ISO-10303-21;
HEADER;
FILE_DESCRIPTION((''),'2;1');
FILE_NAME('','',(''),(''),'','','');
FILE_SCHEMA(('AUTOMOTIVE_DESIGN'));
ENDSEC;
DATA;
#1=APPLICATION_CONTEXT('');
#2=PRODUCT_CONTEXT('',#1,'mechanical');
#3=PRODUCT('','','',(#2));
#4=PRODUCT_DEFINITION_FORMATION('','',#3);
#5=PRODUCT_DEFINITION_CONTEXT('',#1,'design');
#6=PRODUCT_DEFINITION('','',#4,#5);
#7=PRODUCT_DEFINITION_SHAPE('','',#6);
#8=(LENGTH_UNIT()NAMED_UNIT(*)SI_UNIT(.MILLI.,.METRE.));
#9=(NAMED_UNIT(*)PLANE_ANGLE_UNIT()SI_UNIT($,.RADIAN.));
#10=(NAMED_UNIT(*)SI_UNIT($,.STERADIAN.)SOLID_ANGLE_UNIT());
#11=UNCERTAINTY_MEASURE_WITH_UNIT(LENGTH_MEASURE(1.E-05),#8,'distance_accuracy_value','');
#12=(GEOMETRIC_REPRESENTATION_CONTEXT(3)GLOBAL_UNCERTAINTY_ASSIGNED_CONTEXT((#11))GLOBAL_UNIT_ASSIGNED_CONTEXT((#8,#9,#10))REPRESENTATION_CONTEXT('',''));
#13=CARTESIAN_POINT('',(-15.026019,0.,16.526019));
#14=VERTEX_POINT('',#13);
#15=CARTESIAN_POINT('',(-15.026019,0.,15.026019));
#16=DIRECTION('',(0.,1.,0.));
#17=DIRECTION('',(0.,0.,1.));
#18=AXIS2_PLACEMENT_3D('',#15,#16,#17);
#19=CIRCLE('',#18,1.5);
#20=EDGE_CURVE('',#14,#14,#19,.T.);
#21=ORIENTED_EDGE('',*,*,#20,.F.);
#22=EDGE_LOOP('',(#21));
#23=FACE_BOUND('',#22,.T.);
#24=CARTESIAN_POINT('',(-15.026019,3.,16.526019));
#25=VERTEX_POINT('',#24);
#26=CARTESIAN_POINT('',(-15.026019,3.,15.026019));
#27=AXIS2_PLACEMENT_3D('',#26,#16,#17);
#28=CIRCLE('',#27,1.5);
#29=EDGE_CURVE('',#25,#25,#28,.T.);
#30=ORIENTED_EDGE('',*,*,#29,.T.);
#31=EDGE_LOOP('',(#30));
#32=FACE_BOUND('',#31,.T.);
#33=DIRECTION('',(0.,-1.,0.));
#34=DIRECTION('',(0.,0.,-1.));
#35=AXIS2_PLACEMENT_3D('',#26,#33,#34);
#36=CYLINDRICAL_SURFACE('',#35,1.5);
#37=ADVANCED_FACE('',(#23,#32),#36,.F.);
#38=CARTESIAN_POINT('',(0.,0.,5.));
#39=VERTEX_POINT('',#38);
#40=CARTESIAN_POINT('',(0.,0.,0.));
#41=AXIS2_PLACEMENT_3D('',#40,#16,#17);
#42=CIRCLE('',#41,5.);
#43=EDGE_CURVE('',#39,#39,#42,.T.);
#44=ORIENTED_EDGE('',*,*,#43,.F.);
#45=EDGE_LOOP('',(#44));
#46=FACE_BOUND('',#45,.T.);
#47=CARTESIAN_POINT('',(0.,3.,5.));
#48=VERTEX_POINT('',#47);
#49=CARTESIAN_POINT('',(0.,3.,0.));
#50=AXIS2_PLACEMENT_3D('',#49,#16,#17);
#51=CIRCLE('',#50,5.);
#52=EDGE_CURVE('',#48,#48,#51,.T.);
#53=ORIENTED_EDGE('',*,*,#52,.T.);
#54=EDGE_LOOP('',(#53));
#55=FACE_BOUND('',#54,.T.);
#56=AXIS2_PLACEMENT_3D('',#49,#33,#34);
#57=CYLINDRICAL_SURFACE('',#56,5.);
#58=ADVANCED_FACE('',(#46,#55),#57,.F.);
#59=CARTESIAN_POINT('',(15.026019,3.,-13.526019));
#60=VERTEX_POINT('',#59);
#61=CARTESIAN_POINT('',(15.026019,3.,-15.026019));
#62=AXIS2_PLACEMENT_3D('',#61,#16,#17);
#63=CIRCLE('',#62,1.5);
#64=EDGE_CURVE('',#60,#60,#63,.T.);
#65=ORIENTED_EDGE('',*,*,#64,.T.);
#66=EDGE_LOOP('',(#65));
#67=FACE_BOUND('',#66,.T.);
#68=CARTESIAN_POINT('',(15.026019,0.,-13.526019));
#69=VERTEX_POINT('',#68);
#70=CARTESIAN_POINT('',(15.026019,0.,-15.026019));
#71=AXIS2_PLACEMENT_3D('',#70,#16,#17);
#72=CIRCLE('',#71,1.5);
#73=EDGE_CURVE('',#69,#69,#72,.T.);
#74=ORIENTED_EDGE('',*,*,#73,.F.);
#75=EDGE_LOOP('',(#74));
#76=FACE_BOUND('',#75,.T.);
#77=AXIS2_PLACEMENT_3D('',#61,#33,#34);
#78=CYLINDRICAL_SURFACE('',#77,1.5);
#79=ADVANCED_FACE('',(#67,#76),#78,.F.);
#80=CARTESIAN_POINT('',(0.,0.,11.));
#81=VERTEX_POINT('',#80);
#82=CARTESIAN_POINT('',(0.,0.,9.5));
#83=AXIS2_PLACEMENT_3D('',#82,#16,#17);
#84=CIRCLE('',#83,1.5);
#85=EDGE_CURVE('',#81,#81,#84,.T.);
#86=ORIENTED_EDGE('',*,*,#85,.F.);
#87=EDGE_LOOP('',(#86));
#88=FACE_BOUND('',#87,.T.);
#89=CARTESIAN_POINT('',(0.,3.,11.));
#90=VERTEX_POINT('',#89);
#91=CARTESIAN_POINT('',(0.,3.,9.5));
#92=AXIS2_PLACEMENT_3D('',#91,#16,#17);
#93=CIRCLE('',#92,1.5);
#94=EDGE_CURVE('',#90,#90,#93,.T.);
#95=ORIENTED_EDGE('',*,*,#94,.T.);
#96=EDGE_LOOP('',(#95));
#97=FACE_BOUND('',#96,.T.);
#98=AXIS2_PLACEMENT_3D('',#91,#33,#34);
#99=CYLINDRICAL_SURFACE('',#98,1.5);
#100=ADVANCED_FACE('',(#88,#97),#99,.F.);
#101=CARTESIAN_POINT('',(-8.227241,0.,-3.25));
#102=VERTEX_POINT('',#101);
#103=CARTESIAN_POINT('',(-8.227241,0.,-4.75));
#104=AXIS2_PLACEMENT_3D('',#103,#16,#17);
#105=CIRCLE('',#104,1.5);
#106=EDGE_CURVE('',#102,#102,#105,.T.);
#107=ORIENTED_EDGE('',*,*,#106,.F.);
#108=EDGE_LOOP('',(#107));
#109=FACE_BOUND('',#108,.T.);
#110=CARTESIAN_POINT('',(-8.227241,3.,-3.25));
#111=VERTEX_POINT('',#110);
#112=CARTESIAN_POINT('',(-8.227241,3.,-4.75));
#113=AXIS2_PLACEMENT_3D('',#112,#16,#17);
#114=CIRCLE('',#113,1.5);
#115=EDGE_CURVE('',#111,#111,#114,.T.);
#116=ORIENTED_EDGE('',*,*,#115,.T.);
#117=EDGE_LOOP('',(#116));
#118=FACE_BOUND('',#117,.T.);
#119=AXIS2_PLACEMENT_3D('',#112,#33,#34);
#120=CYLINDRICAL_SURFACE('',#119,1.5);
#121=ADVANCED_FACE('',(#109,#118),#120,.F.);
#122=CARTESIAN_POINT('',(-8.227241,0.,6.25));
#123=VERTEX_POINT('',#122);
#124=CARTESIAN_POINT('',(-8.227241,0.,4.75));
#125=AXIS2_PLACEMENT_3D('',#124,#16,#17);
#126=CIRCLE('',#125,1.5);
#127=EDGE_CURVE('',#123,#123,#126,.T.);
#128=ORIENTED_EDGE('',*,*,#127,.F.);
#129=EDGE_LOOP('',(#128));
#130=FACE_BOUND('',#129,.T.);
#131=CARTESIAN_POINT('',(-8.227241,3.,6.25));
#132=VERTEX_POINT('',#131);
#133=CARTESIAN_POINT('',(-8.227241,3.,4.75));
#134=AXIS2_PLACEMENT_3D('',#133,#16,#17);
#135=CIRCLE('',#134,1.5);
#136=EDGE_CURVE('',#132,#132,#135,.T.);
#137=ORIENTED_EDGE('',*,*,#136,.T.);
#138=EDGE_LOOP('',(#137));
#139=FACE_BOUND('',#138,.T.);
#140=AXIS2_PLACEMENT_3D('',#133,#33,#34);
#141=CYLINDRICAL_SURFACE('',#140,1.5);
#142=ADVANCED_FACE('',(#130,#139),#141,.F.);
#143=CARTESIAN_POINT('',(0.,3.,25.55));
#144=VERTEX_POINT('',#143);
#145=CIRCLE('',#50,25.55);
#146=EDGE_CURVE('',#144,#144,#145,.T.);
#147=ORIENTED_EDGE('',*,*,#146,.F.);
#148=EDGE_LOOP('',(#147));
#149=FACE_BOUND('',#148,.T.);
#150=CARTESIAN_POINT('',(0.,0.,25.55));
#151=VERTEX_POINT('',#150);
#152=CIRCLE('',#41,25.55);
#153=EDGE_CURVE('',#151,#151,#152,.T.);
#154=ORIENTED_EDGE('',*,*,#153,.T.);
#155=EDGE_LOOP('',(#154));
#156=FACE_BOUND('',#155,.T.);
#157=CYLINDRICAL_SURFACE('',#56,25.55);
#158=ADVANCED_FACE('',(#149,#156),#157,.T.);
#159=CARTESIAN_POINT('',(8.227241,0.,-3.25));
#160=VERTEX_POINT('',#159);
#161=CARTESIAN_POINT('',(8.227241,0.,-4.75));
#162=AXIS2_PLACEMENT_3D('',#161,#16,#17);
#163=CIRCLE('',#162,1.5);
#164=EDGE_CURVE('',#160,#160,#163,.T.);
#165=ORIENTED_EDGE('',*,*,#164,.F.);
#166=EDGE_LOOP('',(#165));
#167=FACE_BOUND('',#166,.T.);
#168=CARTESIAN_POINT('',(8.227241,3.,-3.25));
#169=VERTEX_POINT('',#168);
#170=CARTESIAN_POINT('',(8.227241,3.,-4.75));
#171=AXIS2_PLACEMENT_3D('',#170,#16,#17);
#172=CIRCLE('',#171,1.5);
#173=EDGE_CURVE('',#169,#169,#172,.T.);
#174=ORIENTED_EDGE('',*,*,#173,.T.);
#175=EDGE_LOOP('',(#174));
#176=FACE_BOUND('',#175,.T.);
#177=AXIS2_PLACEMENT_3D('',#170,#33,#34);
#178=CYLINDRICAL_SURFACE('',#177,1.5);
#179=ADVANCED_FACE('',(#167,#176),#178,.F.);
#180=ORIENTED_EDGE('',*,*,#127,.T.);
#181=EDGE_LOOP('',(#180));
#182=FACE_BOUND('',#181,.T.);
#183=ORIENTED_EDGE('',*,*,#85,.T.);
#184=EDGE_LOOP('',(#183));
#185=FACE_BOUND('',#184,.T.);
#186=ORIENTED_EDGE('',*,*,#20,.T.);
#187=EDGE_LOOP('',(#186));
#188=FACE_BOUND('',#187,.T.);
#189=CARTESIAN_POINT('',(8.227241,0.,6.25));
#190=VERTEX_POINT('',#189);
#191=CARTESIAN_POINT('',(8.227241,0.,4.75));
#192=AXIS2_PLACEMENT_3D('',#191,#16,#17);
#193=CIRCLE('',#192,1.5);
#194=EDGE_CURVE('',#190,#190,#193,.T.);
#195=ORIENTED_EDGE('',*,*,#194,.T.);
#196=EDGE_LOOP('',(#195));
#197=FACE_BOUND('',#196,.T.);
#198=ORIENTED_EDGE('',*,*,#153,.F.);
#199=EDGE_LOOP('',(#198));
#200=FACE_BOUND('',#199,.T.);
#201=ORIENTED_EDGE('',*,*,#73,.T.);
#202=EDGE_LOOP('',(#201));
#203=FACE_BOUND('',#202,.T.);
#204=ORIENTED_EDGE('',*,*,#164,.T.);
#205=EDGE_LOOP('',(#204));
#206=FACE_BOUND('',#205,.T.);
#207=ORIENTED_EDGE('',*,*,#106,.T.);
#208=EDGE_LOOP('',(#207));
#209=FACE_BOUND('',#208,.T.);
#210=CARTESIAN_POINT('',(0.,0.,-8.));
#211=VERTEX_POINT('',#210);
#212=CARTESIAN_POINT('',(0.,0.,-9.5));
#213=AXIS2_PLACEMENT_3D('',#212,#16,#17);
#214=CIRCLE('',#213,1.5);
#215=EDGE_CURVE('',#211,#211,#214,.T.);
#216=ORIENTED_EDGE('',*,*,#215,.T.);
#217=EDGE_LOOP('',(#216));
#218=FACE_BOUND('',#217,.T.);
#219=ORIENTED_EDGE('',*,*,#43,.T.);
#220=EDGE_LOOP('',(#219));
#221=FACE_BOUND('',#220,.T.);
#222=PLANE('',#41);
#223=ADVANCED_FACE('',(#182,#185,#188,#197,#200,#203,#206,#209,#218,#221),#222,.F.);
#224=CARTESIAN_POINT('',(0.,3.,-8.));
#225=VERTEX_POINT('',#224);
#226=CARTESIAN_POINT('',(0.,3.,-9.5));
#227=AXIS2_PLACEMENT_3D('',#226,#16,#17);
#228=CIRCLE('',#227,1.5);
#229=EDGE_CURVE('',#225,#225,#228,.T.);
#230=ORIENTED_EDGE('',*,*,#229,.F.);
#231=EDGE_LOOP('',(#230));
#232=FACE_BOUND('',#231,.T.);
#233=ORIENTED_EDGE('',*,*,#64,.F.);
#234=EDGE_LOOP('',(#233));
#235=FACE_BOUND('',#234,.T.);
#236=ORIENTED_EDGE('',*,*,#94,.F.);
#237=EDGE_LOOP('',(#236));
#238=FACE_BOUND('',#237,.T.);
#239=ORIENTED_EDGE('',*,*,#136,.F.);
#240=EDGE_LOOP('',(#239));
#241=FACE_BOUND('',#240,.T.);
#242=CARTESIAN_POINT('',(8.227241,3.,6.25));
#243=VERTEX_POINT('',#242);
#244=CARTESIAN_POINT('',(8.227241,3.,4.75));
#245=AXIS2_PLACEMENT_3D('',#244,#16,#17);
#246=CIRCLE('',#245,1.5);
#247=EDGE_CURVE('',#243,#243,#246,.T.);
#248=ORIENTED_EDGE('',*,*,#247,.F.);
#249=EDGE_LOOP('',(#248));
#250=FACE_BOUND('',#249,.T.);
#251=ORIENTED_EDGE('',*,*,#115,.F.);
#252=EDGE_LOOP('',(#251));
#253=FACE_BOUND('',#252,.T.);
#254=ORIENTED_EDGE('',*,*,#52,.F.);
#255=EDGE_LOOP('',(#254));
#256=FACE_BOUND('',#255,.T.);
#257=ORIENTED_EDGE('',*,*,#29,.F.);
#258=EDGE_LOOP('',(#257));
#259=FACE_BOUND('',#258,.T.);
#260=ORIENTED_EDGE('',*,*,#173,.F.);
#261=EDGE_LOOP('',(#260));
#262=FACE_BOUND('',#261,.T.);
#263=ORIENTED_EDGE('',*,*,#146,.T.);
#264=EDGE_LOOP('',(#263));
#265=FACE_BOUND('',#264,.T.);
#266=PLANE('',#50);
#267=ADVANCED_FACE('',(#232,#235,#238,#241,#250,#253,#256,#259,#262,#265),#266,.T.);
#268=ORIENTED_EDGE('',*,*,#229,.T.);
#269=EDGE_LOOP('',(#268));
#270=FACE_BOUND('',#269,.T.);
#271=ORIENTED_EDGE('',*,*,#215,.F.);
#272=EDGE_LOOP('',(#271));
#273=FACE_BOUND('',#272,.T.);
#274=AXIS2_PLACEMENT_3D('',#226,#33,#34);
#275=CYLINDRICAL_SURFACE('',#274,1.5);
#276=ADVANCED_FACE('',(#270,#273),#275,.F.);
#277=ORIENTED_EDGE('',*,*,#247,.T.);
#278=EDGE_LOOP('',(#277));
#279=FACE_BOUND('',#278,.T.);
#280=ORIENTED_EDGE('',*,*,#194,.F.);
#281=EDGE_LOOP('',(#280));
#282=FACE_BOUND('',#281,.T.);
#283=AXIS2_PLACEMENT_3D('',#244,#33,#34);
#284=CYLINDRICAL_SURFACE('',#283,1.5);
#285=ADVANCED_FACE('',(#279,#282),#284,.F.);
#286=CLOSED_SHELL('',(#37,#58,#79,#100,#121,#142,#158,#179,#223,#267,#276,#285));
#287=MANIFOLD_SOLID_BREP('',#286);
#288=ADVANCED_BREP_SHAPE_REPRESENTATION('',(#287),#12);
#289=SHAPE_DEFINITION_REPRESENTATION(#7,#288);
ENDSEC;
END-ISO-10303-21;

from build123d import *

# Parameters (mm, degrees)
SKETCH1_R           = 25.55
SKETCH1_R_2         = 1.5
SKETCH1_R_3         = 5
BOSS_EXTRUDE1_DEPTH = 3


with BuildPart() as part:
    # Sketch1 → Boss-Extrude1 (new body)
    with BuildSketch(Plane(origin=(0, 0, 0), x_dir=(1, 0, 0), z_dir=(0, 1, 0))):
        with Locations(Location((0, 0, 0), (0, 0, 270))):
            Circle(SKETCH1_R)
        with Locations(Location((15.0260191, 15.0260191, 0), (0, 0, 270))):
            Circle(SKETCH1_R_2, mode=Mode.SUBTRACT)
        with Locations(Location((-15.0260191, -15.0260191, 0), (0, 0, 270))):
            Circle(SKETCH1_R_2, mode=Mode.SUBTRACT)
        with Locations(Location((0, 0, 0), (0, 0, 270))):
            Circle(SKETCH1_R_3, mode=Mode.SUBTRACT)
        with Locations(Location((0, 9.5, 0), (0, 0, 270))):
            Circle(SKETCH1_R_2, mode=Mode.SUBTRACT)
        with Locations(Location((8.227241336, 4.75, 0), (0, 0, 270))):
            Circle(SKETCH1_R_2, mode=Mode.SUBTRACT)
        with Locations(Location((8.227241336, -4.75, 0), (0, 0, 270))):
            Circle(SKETCH1_R_2, mode=Mode.SUBTRACT)
        with Locations(Location((0, -9.5, 0), (0, 0, 270))):
            Circle(SKETCH1_R_2, mode=Mode.SUBTRACT)
        with Locations(Location((-8.227241336, -4.75, 0), (0, 0, 270))):
            Circle(SKETCH1_R_2, mode=Mode.SUBTRACT)
        with Locations(Location((-8.227241336, 4.75, 0), (0, 0, 270))):
            Circle(SKETCH1_R_2, mode=Mode.SUBTRACT)
    extrude(amount=BOSS_EXTRUDE1_DEPTH)


solid = part.part
